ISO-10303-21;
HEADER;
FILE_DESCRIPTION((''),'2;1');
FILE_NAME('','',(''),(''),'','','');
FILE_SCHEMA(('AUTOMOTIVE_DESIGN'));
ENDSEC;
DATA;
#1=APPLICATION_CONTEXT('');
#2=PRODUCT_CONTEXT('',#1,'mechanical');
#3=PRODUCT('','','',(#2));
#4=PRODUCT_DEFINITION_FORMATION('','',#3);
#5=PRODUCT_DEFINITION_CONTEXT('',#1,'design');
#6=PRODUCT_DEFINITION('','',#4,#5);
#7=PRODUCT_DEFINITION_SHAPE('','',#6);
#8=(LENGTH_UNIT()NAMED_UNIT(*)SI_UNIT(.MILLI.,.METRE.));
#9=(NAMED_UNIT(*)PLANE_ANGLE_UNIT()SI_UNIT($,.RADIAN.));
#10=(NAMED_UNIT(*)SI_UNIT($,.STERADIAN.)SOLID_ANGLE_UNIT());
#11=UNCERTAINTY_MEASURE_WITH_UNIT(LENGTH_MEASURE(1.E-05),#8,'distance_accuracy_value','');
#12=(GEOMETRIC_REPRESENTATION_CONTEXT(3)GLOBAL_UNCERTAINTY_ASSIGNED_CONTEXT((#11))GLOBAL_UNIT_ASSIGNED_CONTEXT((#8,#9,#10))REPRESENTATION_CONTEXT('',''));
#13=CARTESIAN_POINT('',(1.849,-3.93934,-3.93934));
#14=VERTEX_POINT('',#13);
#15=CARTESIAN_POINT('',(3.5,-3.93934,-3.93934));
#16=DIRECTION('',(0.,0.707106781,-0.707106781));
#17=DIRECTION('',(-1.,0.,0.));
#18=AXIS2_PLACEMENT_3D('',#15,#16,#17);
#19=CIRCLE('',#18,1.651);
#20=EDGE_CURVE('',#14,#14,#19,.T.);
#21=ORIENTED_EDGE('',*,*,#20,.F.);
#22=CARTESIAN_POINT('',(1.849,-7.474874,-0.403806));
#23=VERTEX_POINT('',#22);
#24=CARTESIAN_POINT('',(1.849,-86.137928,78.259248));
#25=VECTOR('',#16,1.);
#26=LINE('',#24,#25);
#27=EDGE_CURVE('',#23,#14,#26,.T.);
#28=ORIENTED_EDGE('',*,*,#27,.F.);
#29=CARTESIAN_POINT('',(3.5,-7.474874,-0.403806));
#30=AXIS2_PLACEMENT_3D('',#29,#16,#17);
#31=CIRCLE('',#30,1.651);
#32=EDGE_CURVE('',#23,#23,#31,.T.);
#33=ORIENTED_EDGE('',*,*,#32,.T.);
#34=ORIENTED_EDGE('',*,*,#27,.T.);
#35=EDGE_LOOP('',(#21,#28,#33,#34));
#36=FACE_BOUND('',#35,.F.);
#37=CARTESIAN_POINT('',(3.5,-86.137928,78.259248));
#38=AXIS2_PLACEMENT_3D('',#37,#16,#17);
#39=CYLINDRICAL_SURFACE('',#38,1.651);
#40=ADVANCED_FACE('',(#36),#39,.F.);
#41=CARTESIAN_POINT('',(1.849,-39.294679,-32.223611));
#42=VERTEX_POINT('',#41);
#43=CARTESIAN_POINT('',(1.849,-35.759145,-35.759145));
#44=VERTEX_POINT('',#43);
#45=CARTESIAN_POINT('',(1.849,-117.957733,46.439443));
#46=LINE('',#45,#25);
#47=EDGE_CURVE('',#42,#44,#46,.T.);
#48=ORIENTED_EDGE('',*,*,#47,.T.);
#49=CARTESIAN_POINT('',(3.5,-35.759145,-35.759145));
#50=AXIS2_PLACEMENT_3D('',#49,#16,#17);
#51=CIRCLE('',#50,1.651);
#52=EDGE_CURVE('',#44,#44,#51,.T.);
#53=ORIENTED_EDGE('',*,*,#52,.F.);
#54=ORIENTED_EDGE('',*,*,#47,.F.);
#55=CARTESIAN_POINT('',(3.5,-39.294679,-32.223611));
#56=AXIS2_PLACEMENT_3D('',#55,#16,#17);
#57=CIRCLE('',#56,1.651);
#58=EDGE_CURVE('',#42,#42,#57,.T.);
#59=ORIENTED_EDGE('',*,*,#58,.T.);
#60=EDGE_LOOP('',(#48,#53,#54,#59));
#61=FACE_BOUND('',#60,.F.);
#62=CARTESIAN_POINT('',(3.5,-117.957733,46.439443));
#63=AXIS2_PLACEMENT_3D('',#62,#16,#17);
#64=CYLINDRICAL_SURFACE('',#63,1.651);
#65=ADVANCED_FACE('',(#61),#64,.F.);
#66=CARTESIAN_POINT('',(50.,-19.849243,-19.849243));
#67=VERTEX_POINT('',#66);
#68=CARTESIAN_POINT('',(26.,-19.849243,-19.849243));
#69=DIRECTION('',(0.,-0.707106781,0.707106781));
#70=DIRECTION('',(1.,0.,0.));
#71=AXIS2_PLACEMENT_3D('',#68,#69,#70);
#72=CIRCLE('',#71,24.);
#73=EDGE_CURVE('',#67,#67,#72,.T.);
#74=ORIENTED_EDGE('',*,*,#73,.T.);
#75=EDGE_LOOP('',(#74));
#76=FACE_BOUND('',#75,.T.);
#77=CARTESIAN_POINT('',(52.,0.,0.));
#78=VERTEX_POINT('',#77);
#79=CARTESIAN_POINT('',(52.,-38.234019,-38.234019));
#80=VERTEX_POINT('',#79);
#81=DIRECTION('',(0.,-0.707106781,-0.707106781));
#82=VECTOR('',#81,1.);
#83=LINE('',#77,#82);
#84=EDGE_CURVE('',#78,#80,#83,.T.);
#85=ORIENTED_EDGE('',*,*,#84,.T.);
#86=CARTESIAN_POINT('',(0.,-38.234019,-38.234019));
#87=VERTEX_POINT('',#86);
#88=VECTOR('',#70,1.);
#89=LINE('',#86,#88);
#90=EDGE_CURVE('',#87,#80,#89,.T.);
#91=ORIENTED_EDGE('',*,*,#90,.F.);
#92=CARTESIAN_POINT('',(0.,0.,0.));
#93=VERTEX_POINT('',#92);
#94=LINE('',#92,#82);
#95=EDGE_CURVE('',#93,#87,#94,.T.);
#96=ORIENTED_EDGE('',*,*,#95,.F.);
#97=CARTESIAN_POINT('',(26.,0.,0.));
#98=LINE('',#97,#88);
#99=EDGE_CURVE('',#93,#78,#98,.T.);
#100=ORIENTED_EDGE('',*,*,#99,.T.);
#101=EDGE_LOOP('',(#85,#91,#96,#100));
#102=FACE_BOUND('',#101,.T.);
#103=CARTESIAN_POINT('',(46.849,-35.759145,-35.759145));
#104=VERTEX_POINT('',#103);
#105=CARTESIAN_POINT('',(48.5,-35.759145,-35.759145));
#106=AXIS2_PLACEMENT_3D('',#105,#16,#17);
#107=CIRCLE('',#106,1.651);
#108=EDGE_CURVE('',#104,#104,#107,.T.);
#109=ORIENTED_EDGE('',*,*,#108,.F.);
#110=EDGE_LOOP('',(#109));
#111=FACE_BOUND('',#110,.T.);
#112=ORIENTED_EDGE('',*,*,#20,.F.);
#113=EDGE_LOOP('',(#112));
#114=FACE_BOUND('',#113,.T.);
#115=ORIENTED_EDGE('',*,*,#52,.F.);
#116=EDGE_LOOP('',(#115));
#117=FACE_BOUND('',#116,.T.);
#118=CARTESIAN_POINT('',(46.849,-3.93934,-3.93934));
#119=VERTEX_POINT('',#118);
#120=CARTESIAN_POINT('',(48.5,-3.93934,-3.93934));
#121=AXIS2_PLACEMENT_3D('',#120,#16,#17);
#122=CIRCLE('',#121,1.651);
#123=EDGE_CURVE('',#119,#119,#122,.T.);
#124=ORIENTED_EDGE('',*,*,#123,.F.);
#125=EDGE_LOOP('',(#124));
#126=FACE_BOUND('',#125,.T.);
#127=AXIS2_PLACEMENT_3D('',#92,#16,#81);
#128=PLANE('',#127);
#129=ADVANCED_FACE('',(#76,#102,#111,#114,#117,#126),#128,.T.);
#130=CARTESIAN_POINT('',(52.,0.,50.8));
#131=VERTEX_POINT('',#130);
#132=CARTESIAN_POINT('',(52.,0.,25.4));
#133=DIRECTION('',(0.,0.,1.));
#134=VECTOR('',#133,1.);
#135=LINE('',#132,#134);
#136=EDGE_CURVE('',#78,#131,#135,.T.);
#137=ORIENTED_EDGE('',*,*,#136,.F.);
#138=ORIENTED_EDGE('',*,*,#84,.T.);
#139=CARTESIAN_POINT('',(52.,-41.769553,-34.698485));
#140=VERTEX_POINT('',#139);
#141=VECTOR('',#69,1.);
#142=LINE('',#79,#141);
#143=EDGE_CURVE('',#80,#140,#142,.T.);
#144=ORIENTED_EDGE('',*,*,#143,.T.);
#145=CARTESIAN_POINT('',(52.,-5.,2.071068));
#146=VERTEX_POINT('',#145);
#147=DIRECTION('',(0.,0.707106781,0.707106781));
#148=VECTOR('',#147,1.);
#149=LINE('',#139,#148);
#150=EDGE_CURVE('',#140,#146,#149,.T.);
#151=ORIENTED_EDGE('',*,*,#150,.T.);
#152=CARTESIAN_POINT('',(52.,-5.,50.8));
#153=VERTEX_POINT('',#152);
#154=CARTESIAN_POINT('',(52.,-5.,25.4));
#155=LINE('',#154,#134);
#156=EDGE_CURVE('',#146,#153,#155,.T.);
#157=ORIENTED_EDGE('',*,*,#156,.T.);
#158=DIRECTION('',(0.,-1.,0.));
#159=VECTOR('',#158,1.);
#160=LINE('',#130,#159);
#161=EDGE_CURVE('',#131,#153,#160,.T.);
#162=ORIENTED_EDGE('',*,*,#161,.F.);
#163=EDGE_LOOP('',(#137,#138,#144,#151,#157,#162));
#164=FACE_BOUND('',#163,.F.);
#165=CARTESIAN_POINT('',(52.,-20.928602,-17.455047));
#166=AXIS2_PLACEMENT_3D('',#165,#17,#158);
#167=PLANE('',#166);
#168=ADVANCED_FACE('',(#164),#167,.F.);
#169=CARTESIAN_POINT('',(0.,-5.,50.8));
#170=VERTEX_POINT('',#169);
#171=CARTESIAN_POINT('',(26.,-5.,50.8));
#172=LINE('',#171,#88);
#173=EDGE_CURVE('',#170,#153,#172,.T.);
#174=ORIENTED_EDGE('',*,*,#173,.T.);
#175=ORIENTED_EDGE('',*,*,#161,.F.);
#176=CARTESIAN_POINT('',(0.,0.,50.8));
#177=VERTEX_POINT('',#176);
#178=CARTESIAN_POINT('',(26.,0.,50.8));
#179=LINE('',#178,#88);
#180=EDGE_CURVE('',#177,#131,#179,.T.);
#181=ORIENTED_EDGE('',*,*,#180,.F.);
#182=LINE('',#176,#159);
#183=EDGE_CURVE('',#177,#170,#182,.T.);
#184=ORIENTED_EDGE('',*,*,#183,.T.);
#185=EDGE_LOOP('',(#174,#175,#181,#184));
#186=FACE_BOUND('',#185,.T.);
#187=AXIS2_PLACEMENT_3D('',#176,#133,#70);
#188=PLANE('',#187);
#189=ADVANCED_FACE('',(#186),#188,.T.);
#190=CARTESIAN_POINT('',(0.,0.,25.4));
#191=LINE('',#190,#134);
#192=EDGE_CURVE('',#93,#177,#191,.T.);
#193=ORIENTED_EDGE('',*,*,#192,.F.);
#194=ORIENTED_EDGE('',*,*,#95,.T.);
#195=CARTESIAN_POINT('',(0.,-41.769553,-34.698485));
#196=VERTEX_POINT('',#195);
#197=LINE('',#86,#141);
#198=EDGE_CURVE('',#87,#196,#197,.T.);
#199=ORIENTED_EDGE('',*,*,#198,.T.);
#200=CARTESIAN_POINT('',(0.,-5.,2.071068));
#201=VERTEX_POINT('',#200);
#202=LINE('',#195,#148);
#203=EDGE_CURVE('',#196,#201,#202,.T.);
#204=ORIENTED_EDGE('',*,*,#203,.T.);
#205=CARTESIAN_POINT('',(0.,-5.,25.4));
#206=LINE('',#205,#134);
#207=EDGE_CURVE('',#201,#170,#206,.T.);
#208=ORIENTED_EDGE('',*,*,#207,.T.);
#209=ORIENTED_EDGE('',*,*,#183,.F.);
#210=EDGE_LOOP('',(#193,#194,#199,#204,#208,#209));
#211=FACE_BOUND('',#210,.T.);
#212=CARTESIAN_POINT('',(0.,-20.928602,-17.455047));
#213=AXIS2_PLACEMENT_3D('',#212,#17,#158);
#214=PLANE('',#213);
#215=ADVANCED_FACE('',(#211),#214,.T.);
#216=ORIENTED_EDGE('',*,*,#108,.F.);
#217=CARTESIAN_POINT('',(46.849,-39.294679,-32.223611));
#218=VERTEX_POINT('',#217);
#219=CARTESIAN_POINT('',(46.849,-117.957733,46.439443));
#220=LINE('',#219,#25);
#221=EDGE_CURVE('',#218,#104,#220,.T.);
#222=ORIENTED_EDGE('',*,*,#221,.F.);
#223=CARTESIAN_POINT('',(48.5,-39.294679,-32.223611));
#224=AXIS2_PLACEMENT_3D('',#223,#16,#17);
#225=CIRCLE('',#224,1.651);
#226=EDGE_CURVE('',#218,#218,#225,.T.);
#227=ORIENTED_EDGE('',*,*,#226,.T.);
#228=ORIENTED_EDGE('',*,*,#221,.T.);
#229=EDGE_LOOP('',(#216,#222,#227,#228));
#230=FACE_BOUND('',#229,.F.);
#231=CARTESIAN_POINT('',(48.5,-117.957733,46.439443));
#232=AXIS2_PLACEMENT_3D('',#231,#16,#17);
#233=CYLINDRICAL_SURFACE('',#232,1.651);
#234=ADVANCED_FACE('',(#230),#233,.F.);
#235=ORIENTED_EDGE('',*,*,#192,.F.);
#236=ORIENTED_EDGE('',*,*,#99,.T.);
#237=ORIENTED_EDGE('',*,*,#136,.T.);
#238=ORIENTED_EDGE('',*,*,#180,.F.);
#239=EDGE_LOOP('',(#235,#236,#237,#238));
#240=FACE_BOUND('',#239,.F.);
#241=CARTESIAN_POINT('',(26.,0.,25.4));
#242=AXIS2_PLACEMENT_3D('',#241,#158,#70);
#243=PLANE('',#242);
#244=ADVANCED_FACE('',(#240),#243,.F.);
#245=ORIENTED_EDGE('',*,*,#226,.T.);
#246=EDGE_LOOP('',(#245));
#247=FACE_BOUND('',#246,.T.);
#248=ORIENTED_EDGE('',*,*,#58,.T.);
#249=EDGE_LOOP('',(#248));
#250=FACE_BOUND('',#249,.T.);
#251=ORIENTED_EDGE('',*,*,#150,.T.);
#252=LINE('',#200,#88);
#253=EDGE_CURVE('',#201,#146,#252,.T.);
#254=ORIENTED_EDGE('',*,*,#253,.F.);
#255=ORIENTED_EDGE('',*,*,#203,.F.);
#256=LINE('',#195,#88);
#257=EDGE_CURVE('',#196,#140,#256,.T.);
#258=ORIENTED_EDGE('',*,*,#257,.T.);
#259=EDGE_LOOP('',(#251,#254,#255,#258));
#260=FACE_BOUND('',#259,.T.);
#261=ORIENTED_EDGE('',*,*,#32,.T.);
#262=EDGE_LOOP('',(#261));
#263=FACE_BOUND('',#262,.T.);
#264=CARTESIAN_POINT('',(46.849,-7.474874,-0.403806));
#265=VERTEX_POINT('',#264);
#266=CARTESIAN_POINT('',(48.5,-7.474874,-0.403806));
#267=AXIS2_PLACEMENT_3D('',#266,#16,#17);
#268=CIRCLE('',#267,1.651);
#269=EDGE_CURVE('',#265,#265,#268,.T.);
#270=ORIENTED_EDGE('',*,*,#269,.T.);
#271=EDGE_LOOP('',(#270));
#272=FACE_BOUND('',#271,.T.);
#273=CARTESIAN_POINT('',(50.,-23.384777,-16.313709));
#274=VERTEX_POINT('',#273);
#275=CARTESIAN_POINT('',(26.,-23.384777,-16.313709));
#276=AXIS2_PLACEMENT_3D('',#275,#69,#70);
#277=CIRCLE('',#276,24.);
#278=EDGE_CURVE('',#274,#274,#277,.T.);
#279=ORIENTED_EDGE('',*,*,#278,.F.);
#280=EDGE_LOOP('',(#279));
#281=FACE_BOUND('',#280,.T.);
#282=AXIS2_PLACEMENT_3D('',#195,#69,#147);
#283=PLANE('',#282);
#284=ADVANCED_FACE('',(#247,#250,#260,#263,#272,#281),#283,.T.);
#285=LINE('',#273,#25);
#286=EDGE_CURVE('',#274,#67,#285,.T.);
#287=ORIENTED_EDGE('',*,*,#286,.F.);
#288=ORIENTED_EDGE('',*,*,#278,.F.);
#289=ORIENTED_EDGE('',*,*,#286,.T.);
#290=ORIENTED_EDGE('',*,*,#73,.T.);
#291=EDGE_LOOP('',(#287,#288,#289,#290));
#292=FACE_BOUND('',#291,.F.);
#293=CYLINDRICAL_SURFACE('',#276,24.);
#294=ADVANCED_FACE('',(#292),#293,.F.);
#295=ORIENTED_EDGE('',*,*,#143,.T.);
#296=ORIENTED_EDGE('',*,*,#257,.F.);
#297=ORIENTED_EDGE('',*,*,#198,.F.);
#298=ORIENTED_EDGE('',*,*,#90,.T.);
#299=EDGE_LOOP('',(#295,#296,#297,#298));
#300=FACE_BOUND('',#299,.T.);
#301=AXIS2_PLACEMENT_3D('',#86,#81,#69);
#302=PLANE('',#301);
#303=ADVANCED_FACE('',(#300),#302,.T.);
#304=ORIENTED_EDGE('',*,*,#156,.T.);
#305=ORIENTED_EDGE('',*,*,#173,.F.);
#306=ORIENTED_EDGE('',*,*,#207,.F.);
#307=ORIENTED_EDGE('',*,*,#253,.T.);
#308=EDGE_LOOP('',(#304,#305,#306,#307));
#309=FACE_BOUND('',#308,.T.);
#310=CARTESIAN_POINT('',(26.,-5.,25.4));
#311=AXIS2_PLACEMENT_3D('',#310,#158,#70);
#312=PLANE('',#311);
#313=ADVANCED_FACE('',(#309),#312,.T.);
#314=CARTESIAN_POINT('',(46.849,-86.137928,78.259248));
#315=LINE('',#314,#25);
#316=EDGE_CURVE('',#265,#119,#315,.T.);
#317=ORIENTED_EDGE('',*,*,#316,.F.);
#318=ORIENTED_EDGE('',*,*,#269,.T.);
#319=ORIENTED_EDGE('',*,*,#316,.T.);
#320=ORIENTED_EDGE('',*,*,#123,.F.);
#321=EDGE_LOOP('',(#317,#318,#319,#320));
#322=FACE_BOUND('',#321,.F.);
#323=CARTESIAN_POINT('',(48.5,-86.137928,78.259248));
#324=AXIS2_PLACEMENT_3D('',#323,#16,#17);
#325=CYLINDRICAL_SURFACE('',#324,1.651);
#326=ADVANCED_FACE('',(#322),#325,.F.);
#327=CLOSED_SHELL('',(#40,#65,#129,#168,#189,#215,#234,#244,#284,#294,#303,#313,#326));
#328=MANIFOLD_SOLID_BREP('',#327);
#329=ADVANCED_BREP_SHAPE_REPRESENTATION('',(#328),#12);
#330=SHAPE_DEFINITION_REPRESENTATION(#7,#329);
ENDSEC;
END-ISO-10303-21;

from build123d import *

# Parameters (mm, degrees)
F0_W     = 52
F0_H     = 50.8
F1_DEPTH = 5
F3_DEPTH = 52
F5_D     = 3.302
F6_R     = 24
F7_DEPTH = 32.036534


with BuildPart() as f1:
    # F0 (on Front) → F1 (new body)
    with BuildSketch(Plane.XZ):
        with Locations((26, 25.4)):
            Rectangle(F0_W, F0_H)
    extrude(amount=F1_DEPTH)

    # F2 (on face) → F3 (join, through all)
    with BuildSketch(Plane(origin=(0, 0, 0), x_dir=(0, -1, 0), z_dir=(-1, 0, 0))):
        Polygon((5, 0), (0, 0), (38.234019, -38.234019), (41.769553, -34.698485), (5, 2.071068), align=None)
    extrude(amount=-F3_DEPTH)

    # F5 (through all)
    with Locations(Plane(origin=(0, -3.535534, 3.535534), x_dir=(1, 0, 0), z_dir=(0, -0.707107, 0.707107))):
        with Locations((48.5, -5.571068), (48.5, -50.571068), (3.5, -50.571068), (3.5, -5.571068)):
            Hole(F5_D / 2)

    # F6 (on face) → F7 (cut, through all)
    with BuildSketch(Plane(origin=(0, -3.535534, 3.535534), x_dir=(1, 0, 0), z_dir=(0, -0.707107, 0.707107))):
        with Locations((26, -28.071068)):
            Circle(F6_R)
    extrude(amount=-F7_DEPTH, mode=Mode.SUBTRACT)


solid = f1.part
